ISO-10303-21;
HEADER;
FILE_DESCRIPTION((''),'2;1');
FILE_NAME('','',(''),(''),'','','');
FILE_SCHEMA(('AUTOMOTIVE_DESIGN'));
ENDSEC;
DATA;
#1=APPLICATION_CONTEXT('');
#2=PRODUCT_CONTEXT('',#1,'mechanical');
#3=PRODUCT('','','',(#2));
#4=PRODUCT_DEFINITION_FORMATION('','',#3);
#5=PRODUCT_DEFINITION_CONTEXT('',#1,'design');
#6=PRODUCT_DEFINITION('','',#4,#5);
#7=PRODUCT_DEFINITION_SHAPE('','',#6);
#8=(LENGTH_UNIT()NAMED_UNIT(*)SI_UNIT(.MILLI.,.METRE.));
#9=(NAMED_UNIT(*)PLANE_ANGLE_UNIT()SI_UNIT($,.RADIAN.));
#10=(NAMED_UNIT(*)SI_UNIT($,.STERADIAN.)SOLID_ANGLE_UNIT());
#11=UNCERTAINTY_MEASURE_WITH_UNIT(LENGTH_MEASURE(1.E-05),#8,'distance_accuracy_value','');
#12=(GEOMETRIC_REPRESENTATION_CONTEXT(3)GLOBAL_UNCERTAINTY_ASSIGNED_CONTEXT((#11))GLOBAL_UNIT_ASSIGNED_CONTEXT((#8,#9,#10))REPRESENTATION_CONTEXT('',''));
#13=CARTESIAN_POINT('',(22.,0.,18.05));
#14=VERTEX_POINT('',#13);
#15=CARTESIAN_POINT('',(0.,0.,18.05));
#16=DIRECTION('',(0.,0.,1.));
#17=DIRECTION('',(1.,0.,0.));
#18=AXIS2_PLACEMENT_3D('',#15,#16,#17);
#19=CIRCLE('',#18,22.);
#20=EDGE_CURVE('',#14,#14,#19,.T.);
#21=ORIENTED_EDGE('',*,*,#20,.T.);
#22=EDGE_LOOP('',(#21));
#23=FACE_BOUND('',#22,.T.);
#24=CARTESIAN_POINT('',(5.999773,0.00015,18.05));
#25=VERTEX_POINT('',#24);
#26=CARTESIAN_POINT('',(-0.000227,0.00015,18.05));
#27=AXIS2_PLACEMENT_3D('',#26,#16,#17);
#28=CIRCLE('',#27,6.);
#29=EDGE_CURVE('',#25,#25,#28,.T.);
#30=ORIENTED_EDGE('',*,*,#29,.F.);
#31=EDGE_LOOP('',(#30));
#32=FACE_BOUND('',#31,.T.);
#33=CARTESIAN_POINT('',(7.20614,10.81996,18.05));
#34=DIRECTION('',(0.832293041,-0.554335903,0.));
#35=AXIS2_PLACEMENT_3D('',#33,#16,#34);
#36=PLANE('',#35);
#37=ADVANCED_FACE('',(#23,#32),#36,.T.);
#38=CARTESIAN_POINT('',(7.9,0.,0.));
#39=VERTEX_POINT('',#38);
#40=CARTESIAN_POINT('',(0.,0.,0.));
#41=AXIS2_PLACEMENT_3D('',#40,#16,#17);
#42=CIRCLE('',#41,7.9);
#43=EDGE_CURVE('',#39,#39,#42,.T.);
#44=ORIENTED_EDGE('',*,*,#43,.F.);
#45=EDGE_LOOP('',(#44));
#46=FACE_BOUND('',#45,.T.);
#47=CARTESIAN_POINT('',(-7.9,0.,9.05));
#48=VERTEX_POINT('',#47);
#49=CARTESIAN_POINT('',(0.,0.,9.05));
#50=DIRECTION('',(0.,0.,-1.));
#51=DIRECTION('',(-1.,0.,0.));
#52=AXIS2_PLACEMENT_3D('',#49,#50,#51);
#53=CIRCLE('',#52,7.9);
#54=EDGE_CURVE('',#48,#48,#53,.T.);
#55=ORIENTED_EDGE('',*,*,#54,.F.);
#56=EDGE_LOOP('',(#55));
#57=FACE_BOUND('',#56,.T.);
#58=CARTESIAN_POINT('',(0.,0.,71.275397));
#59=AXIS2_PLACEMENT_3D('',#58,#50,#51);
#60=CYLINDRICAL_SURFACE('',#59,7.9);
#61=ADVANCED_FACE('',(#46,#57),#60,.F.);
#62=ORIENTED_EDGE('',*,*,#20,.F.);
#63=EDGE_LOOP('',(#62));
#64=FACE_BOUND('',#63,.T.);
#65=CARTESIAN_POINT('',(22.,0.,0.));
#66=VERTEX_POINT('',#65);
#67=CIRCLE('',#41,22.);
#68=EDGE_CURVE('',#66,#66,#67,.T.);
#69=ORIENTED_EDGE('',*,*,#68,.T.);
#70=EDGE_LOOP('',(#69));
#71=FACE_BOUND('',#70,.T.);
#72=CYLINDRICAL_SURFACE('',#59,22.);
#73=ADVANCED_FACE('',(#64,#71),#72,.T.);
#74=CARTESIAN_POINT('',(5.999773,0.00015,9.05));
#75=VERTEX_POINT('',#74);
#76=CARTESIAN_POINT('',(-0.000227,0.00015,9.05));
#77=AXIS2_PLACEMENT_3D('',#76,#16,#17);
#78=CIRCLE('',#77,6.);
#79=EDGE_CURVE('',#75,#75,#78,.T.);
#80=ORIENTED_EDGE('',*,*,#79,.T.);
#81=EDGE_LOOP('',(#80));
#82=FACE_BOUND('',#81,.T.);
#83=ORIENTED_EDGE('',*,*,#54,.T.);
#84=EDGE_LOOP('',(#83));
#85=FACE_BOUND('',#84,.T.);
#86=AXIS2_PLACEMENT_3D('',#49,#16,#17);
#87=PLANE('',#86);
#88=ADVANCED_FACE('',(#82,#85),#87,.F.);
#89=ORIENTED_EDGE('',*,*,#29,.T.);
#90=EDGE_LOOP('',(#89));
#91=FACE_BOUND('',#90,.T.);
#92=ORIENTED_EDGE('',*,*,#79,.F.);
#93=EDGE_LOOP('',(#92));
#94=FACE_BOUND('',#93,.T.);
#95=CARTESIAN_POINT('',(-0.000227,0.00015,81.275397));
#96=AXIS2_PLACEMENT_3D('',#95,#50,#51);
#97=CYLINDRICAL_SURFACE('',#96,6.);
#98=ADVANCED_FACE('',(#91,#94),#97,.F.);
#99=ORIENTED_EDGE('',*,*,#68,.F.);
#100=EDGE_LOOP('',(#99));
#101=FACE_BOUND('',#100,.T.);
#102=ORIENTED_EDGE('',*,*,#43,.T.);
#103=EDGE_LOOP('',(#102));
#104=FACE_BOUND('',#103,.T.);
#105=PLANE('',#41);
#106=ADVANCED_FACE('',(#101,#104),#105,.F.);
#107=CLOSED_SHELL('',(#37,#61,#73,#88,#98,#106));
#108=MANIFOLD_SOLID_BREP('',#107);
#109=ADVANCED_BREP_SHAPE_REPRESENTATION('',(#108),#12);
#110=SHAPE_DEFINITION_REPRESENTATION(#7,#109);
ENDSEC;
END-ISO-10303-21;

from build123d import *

# Parameters (mm, degrees)
SKETCH_1_R      = 22
SKETCH_1_R_2    = 7.9
EXTRUDE_1_DEPTH = 9.05
SKETCH_2_R      = 22
SKETCH_2_R_2    = 6
EXTRUDE_2_DEPTH = 9


with BuildPart() as part:
    # Эскиз1 → Бобышка-Вытянуть1 (new body)
    with BuildSketch(Plane.XY):
        Circle(SKETCH_1_R)
        Circle(SKETCH_1_R_2, mode=Mode.SUBTRACT)
    extrude(amount=EXTRUDE_1_DEPTH)

    # Эскиз2 → Бобышка-Вытянуть2 (add)
    with BuildSketch(Plane.XY.offset(9.05)):
        Circle(SKETCH_2_R)
        with Locations((-0.000227029, 0.000150284)):
            Circle(SKETCH_2_R_2, mode=Mode.SUBTRACT)
    extrude(amount=EXTRUDE_2_DEPTH)


solid = part.part
